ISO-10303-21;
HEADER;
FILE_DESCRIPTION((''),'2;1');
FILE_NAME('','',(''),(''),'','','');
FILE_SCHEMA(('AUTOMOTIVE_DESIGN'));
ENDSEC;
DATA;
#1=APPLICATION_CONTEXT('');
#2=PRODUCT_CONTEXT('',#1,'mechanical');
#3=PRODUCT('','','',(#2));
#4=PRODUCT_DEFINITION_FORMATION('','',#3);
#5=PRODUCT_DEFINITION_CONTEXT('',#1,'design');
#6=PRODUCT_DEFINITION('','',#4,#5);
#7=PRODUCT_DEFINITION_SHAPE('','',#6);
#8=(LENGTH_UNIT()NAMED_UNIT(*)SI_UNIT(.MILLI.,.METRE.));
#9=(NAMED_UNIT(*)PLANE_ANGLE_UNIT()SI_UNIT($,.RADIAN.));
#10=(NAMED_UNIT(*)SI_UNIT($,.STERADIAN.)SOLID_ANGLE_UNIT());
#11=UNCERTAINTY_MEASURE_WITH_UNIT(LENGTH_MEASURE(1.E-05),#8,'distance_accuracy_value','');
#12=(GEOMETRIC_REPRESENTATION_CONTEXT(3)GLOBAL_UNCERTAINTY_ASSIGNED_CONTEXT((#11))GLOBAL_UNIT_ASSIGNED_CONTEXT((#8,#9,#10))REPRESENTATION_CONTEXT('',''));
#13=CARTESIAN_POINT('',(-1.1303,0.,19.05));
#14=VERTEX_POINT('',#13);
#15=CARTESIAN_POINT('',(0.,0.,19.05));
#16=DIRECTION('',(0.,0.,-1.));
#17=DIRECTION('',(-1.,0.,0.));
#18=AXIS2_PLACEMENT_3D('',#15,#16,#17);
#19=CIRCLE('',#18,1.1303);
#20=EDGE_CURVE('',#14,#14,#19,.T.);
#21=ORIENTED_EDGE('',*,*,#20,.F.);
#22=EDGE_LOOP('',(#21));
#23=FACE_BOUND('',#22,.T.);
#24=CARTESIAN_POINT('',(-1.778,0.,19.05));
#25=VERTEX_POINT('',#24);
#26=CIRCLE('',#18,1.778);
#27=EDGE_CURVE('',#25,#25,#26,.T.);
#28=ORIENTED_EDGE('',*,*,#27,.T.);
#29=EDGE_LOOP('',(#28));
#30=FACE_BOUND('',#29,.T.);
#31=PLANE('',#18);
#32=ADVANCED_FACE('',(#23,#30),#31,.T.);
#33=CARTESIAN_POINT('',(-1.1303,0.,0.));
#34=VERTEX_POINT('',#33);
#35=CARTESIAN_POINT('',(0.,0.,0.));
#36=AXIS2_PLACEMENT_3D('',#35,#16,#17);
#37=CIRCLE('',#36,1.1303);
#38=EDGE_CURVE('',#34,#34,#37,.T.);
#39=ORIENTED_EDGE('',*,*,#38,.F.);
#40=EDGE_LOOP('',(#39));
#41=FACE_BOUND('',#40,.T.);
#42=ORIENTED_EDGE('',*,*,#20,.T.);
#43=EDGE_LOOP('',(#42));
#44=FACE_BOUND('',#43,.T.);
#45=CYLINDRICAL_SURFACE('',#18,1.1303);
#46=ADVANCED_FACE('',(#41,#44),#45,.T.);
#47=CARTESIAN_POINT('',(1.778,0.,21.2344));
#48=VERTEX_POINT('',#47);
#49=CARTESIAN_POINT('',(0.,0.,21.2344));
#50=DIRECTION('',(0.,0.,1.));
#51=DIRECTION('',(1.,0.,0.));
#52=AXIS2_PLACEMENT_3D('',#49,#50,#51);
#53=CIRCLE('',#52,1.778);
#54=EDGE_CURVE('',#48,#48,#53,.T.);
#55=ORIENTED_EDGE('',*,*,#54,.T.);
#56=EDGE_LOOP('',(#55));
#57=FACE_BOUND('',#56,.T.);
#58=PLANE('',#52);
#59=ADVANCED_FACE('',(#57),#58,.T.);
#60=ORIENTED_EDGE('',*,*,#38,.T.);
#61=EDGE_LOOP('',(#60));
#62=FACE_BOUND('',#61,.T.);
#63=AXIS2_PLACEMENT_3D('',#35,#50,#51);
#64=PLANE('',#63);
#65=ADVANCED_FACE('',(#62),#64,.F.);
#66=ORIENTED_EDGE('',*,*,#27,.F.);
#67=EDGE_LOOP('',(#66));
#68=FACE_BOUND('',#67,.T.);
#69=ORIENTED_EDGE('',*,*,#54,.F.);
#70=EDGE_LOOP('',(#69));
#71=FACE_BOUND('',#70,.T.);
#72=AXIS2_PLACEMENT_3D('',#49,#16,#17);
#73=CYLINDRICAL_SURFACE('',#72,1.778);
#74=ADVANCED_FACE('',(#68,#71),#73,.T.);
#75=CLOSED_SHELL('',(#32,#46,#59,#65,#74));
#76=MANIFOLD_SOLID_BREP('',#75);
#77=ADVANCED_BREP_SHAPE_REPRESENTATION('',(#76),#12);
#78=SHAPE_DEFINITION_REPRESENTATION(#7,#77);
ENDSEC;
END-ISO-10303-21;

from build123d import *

# Parameters (mm, degrees)
SKETCH1_R         = 1.778
EXTRUDE1_DEPTH    = 21.2344
SKETCH3_OUTSIDE_W = 9.92
SKETCH3_OUTSIDE_H = 9.92
SKETCH3_OUTSIDE_R = 1.1303
EXTRUDE2_DEPTH    = 19.05


with BuildPart() as part:
    # Sketch1 → Extrude1 (new body)
    with BuildSketch(Plane.XY):
        Circle(SKETCH1_R)
    extrude(amount=EXTRUDE1_DEPTH)

    # Sketch3 outside → Extrude2 (cut)
    with BuildSketch(Plane(origin=(0, 0, 0), x_dir=(-1, 0, 0), z_dir=(0, 0, -1))):
        Rectangle(SKETCH3_OUTSIDE_W, SKETCH3_OUTSIDE_H)
        Circle(SKETCH3_OUTSIDE_R, mode=Mode.SUBTRACT)
    extrude(amount=-EXTRUDE2_DEPTH, mode=Mode.SUBTRACT)


solid = part.part
